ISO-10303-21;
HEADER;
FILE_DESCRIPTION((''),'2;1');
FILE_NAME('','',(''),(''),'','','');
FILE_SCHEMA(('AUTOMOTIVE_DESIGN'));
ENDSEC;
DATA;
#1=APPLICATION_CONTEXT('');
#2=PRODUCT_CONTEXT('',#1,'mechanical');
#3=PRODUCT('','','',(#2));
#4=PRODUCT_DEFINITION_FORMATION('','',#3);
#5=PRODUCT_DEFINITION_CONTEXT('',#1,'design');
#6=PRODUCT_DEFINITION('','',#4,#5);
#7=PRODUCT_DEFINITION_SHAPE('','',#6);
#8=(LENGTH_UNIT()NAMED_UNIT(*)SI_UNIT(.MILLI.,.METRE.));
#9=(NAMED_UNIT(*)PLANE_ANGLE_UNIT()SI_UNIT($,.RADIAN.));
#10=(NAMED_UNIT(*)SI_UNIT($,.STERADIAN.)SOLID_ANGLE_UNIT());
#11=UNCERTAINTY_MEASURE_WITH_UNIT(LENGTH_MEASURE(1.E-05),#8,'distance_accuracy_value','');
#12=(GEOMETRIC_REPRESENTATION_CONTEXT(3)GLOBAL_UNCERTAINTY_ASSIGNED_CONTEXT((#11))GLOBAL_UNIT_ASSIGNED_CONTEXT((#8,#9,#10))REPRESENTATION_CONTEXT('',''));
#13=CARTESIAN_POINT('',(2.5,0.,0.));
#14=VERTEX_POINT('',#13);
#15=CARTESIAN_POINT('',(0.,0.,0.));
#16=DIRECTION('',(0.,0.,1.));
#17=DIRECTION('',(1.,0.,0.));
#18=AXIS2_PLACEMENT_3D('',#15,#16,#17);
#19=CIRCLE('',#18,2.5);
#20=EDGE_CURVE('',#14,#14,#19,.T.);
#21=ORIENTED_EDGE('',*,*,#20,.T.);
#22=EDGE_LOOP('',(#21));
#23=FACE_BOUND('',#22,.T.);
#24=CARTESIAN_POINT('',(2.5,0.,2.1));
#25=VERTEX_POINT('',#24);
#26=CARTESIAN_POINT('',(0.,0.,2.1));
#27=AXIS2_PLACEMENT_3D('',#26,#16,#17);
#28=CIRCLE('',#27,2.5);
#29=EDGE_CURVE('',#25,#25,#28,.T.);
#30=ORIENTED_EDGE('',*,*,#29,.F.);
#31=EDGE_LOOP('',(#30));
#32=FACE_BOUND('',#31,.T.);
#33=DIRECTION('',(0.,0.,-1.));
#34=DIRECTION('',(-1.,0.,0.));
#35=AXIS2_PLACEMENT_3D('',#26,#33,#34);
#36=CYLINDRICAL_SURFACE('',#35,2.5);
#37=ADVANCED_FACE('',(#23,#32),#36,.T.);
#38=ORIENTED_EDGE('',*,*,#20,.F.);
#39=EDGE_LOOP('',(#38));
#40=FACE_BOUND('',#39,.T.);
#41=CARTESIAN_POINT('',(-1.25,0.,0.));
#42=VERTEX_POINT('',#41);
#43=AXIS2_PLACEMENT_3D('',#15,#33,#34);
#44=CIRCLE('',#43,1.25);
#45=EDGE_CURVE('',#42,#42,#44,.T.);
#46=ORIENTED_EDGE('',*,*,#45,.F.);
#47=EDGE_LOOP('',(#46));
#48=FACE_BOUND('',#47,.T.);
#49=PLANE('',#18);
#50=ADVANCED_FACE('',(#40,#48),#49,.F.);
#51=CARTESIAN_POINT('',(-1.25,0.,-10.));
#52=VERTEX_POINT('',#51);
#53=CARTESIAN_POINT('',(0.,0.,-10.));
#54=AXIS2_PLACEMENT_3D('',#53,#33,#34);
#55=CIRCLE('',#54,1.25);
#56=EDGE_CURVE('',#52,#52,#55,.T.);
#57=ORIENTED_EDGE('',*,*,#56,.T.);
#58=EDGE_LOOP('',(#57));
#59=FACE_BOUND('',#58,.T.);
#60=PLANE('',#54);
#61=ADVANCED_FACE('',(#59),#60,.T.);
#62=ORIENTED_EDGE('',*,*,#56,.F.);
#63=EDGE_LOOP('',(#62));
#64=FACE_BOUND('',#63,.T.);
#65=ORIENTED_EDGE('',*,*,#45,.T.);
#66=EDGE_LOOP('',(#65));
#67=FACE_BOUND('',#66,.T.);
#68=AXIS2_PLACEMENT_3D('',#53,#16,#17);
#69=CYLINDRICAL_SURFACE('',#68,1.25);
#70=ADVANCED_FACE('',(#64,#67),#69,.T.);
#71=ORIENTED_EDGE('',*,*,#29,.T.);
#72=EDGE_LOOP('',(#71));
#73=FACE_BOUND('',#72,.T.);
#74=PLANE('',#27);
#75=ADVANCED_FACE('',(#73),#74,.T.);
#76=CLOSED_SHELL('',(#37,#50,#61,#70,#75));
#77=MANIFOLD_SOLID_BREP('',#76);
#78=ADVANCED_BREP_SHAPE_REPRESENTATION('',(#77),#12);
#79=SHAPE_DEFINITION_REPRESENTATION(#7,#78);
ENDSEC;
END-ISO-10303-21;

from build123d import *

# Parameters (mm, degrees)
ESQUISSE1_R        = 2.5
BOSS_EXTRU_1_DEPTH = 2.1
ESQUISSE2_R        = 1.25
BOSS_EXTRU_2_DEPTH = 10


with BuildPart() as part:
    # Esquisse1 → Boss.-Extru.1 (new body)
    with BuildSketch(Plane.XY):
        Circle(ESQUISSE1_R)
    extrude(amount=BOSS_EXTRU_1_DEPTH)

    # Esquisse2 → Boss.-Extru.2 (add)
    with BuildSketch(Plane(origin=(0, 0, 0), x_dir=(-1, 0, 0), z_dir=(0, 0, -1))):
        Circle(ESQUISSE2_R)
    extrude(amount=BOSS_EXTRU_2_DEPTH)


solid = part.part
